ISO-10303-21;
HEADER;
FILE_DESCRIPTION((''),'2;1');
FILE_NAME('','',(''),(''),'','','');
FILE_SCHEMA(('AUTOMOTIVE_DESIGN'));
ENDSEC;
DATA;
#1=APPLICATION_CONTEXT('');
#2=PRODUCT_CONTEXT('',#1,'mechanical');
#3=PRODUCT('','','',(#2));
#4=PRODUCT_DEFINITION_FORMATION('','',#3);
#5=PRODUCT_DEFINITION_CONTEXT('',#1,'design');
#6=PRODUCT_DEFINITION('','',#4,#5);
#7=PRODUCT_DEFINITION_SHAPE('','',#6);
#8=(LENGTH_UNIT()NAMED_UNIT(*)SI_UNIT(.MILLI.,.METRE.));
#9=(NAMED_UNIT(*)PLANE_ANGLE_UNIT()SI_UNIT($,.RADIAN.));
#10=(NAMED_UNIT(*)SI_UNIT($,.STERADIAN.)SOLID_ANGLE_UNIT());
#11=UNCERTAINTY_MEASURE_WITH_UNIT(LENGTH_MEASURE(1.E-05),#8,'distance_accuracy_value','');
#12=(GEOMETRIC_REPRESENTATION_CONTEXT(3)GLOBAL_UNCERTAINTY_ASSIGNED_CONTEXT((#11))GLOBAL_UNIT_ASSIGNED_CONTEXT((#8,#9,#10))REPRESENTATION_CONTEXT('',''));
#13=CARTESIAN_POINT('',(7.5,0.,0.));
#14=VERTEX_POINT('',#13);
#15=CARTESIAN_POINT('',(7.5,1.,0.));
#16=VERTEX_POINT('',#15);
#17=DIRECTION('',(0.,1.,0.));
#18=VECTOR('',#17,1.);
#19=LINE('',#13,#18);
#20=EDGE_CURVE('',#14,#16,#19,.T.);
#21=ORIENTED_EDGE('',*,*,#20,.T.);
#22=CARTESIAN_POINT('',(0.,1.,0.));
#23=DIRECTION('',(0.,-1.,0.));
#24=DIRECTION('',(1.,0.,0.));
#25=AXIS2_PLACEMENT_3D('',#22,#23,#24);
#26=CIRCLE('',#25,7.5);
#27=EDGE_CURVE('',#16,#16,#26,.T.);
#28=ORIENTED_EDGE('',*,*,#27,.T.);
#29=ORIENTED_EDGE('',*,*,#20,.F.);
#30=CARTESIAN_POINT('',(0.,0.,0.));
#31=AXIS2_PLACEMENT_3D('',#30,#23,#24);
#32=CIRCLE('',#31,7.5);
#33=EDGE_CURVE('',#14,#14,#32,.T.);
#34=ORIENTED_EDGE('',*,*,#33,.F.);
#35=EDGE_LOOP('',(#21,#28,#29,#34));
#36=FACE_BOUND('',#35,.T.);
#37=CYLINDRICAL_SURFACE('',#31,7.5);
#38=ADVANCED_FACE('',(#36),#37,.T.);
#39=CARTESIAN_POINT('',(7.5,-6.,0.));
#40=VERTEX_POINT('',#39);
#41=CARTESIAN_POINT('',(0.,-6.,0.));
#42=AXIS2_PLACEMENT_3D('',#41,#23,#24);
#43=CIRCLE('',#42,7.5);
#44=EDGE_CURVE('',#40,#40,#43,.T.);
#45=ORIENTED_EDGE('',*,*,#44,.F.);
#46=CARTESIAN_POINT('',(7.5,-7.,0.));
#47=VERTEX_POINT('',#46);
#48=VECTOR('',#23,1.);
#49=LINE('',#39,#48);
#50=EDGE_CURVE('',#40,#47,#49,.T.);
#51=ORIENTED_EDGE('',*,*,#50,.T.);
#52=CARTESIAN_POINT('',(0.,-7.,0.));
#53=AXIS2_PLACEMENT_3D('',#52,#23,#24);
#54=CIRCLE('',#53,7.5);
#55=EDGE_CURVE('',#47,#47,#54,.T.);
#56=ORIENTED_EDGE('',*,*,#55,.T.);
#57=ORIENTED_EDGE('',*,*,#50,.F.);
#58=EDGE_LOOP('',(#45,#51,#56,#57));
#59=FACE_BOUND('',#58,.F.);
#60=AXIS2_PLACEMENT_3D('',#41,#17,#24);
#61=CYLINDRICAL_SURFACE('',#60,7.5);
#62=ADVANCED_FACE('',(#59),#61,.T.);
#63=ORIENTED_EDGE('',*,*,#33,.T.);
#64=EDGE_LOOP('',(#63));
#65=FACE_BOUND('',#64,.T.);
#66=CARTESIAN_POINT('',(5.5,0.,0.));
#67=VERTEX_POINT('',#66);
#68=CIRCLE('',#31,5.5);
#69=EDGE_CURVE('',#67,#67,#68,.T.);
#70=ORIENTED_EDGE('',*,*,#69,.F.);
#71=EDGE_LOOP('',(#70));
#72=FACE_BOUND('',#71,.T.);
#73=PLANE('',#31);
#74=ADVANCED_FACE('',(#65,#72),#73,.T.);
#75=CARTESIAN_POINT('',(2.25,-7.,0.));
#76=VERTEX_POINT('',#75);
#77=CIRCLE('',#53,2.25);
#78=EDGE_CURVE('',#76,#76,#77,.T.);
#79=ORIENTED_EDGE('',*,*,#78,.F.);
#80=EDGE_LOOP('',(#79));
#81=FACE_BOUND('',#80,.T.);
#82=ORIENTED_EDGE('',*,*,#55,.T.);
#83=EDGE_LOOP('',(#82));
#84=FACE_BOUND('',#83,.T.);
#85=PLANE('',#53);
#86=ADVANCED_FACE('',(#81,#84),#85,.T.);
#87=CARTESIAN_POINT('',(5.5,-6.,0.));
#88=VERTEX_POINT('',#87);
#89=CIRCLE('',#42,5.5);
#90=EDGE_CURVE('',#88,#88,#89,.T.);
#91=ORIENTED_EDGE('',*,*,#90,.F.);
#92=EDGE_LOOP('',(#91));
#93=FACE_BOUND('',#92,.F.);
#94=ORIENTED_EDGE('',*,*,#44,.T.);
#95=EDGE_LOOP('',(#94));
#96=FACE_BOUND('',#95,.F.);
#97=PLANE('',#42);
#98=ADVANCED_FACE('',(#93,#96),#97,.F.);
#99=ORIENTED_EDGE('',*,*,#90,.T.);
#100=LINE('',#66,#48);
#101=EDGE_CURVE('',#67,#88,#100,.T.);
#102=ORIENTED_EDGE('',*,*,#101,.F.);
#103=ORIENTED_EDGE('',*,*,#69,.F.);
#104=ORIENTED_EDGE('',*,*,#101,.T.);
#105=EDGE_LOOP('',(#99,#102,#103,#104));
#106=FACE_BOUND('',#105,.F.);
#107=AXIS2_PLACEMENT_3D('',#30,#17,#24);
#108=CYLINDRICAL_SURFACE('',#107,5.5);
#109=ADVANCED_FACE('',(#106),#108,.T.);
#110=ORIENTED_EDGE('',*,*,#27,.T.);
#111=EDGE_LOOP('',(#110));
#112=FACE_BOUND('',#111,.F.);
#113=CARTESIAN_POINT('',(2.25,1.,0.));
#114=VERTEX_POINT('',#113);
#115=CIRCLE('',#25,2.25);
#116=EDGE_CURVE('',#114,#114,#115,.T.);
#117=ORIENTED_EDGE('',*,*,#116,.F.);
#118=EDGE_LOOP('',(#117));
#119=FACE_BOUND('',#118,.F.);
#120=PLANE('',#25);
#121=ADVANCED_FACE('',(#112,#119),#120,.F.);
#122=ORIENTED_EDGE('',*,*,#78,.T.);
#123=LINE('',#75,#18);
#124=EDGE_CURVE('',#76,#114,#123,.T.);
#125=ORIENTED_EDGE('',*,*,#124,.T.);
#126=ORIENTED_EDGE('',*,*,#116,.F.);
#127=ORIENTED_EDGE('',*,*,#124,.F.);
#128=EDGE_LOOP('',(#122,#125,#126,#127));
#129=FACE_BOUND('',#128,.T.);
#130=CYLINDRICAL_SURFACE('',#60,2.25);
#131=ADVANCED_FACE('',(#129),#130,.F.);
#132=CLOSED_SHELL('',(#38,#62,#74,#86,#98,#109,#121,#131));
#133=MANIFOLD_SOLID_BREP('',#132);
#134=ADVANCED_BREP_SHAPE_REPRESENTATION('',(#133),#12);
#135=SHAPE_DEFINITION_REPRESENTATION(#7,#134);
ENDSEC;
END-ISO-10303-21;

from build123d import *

# Parameters (mm, degrees)
F0_R     = 7.5
F0_R_2   = 2.25
F1_DEPTH = 1
F2_R     = 5.5
F2_R_2   = 2.25
F3_DEPTH = 6
F4_R     = 7.5
F4_R_2   = 2.25
F5_DEPTH = 1


with BuildPart() as f1:
    # F0 (on Front) → F1 (new body)
    with BuildSketch(Plane.XZ):
        Circle(F0_R)
        Circle(F0_R_2, mode=Mode.SUBTRACT)
    extrude(amount=-F1_DEPTH)

    # F2 (on face) → F3 (join)
    with BuildSketch(Plane.XZ):
        Circle(F2_R)
        Circle(F2_R_2, mode=Mode.SUBTRACT)
    extrude(amount=F3_DEPTH)

    # F4 (on face) → F5 (join)
    with BuildSketch(Plane.XZ.offset(6)):
        Circle(F4_R)
        Circle(F4_R_2, mode=Mode.SUBTRACT)
    extrude(amount=F5_DEPTH)


solid = f1.part
